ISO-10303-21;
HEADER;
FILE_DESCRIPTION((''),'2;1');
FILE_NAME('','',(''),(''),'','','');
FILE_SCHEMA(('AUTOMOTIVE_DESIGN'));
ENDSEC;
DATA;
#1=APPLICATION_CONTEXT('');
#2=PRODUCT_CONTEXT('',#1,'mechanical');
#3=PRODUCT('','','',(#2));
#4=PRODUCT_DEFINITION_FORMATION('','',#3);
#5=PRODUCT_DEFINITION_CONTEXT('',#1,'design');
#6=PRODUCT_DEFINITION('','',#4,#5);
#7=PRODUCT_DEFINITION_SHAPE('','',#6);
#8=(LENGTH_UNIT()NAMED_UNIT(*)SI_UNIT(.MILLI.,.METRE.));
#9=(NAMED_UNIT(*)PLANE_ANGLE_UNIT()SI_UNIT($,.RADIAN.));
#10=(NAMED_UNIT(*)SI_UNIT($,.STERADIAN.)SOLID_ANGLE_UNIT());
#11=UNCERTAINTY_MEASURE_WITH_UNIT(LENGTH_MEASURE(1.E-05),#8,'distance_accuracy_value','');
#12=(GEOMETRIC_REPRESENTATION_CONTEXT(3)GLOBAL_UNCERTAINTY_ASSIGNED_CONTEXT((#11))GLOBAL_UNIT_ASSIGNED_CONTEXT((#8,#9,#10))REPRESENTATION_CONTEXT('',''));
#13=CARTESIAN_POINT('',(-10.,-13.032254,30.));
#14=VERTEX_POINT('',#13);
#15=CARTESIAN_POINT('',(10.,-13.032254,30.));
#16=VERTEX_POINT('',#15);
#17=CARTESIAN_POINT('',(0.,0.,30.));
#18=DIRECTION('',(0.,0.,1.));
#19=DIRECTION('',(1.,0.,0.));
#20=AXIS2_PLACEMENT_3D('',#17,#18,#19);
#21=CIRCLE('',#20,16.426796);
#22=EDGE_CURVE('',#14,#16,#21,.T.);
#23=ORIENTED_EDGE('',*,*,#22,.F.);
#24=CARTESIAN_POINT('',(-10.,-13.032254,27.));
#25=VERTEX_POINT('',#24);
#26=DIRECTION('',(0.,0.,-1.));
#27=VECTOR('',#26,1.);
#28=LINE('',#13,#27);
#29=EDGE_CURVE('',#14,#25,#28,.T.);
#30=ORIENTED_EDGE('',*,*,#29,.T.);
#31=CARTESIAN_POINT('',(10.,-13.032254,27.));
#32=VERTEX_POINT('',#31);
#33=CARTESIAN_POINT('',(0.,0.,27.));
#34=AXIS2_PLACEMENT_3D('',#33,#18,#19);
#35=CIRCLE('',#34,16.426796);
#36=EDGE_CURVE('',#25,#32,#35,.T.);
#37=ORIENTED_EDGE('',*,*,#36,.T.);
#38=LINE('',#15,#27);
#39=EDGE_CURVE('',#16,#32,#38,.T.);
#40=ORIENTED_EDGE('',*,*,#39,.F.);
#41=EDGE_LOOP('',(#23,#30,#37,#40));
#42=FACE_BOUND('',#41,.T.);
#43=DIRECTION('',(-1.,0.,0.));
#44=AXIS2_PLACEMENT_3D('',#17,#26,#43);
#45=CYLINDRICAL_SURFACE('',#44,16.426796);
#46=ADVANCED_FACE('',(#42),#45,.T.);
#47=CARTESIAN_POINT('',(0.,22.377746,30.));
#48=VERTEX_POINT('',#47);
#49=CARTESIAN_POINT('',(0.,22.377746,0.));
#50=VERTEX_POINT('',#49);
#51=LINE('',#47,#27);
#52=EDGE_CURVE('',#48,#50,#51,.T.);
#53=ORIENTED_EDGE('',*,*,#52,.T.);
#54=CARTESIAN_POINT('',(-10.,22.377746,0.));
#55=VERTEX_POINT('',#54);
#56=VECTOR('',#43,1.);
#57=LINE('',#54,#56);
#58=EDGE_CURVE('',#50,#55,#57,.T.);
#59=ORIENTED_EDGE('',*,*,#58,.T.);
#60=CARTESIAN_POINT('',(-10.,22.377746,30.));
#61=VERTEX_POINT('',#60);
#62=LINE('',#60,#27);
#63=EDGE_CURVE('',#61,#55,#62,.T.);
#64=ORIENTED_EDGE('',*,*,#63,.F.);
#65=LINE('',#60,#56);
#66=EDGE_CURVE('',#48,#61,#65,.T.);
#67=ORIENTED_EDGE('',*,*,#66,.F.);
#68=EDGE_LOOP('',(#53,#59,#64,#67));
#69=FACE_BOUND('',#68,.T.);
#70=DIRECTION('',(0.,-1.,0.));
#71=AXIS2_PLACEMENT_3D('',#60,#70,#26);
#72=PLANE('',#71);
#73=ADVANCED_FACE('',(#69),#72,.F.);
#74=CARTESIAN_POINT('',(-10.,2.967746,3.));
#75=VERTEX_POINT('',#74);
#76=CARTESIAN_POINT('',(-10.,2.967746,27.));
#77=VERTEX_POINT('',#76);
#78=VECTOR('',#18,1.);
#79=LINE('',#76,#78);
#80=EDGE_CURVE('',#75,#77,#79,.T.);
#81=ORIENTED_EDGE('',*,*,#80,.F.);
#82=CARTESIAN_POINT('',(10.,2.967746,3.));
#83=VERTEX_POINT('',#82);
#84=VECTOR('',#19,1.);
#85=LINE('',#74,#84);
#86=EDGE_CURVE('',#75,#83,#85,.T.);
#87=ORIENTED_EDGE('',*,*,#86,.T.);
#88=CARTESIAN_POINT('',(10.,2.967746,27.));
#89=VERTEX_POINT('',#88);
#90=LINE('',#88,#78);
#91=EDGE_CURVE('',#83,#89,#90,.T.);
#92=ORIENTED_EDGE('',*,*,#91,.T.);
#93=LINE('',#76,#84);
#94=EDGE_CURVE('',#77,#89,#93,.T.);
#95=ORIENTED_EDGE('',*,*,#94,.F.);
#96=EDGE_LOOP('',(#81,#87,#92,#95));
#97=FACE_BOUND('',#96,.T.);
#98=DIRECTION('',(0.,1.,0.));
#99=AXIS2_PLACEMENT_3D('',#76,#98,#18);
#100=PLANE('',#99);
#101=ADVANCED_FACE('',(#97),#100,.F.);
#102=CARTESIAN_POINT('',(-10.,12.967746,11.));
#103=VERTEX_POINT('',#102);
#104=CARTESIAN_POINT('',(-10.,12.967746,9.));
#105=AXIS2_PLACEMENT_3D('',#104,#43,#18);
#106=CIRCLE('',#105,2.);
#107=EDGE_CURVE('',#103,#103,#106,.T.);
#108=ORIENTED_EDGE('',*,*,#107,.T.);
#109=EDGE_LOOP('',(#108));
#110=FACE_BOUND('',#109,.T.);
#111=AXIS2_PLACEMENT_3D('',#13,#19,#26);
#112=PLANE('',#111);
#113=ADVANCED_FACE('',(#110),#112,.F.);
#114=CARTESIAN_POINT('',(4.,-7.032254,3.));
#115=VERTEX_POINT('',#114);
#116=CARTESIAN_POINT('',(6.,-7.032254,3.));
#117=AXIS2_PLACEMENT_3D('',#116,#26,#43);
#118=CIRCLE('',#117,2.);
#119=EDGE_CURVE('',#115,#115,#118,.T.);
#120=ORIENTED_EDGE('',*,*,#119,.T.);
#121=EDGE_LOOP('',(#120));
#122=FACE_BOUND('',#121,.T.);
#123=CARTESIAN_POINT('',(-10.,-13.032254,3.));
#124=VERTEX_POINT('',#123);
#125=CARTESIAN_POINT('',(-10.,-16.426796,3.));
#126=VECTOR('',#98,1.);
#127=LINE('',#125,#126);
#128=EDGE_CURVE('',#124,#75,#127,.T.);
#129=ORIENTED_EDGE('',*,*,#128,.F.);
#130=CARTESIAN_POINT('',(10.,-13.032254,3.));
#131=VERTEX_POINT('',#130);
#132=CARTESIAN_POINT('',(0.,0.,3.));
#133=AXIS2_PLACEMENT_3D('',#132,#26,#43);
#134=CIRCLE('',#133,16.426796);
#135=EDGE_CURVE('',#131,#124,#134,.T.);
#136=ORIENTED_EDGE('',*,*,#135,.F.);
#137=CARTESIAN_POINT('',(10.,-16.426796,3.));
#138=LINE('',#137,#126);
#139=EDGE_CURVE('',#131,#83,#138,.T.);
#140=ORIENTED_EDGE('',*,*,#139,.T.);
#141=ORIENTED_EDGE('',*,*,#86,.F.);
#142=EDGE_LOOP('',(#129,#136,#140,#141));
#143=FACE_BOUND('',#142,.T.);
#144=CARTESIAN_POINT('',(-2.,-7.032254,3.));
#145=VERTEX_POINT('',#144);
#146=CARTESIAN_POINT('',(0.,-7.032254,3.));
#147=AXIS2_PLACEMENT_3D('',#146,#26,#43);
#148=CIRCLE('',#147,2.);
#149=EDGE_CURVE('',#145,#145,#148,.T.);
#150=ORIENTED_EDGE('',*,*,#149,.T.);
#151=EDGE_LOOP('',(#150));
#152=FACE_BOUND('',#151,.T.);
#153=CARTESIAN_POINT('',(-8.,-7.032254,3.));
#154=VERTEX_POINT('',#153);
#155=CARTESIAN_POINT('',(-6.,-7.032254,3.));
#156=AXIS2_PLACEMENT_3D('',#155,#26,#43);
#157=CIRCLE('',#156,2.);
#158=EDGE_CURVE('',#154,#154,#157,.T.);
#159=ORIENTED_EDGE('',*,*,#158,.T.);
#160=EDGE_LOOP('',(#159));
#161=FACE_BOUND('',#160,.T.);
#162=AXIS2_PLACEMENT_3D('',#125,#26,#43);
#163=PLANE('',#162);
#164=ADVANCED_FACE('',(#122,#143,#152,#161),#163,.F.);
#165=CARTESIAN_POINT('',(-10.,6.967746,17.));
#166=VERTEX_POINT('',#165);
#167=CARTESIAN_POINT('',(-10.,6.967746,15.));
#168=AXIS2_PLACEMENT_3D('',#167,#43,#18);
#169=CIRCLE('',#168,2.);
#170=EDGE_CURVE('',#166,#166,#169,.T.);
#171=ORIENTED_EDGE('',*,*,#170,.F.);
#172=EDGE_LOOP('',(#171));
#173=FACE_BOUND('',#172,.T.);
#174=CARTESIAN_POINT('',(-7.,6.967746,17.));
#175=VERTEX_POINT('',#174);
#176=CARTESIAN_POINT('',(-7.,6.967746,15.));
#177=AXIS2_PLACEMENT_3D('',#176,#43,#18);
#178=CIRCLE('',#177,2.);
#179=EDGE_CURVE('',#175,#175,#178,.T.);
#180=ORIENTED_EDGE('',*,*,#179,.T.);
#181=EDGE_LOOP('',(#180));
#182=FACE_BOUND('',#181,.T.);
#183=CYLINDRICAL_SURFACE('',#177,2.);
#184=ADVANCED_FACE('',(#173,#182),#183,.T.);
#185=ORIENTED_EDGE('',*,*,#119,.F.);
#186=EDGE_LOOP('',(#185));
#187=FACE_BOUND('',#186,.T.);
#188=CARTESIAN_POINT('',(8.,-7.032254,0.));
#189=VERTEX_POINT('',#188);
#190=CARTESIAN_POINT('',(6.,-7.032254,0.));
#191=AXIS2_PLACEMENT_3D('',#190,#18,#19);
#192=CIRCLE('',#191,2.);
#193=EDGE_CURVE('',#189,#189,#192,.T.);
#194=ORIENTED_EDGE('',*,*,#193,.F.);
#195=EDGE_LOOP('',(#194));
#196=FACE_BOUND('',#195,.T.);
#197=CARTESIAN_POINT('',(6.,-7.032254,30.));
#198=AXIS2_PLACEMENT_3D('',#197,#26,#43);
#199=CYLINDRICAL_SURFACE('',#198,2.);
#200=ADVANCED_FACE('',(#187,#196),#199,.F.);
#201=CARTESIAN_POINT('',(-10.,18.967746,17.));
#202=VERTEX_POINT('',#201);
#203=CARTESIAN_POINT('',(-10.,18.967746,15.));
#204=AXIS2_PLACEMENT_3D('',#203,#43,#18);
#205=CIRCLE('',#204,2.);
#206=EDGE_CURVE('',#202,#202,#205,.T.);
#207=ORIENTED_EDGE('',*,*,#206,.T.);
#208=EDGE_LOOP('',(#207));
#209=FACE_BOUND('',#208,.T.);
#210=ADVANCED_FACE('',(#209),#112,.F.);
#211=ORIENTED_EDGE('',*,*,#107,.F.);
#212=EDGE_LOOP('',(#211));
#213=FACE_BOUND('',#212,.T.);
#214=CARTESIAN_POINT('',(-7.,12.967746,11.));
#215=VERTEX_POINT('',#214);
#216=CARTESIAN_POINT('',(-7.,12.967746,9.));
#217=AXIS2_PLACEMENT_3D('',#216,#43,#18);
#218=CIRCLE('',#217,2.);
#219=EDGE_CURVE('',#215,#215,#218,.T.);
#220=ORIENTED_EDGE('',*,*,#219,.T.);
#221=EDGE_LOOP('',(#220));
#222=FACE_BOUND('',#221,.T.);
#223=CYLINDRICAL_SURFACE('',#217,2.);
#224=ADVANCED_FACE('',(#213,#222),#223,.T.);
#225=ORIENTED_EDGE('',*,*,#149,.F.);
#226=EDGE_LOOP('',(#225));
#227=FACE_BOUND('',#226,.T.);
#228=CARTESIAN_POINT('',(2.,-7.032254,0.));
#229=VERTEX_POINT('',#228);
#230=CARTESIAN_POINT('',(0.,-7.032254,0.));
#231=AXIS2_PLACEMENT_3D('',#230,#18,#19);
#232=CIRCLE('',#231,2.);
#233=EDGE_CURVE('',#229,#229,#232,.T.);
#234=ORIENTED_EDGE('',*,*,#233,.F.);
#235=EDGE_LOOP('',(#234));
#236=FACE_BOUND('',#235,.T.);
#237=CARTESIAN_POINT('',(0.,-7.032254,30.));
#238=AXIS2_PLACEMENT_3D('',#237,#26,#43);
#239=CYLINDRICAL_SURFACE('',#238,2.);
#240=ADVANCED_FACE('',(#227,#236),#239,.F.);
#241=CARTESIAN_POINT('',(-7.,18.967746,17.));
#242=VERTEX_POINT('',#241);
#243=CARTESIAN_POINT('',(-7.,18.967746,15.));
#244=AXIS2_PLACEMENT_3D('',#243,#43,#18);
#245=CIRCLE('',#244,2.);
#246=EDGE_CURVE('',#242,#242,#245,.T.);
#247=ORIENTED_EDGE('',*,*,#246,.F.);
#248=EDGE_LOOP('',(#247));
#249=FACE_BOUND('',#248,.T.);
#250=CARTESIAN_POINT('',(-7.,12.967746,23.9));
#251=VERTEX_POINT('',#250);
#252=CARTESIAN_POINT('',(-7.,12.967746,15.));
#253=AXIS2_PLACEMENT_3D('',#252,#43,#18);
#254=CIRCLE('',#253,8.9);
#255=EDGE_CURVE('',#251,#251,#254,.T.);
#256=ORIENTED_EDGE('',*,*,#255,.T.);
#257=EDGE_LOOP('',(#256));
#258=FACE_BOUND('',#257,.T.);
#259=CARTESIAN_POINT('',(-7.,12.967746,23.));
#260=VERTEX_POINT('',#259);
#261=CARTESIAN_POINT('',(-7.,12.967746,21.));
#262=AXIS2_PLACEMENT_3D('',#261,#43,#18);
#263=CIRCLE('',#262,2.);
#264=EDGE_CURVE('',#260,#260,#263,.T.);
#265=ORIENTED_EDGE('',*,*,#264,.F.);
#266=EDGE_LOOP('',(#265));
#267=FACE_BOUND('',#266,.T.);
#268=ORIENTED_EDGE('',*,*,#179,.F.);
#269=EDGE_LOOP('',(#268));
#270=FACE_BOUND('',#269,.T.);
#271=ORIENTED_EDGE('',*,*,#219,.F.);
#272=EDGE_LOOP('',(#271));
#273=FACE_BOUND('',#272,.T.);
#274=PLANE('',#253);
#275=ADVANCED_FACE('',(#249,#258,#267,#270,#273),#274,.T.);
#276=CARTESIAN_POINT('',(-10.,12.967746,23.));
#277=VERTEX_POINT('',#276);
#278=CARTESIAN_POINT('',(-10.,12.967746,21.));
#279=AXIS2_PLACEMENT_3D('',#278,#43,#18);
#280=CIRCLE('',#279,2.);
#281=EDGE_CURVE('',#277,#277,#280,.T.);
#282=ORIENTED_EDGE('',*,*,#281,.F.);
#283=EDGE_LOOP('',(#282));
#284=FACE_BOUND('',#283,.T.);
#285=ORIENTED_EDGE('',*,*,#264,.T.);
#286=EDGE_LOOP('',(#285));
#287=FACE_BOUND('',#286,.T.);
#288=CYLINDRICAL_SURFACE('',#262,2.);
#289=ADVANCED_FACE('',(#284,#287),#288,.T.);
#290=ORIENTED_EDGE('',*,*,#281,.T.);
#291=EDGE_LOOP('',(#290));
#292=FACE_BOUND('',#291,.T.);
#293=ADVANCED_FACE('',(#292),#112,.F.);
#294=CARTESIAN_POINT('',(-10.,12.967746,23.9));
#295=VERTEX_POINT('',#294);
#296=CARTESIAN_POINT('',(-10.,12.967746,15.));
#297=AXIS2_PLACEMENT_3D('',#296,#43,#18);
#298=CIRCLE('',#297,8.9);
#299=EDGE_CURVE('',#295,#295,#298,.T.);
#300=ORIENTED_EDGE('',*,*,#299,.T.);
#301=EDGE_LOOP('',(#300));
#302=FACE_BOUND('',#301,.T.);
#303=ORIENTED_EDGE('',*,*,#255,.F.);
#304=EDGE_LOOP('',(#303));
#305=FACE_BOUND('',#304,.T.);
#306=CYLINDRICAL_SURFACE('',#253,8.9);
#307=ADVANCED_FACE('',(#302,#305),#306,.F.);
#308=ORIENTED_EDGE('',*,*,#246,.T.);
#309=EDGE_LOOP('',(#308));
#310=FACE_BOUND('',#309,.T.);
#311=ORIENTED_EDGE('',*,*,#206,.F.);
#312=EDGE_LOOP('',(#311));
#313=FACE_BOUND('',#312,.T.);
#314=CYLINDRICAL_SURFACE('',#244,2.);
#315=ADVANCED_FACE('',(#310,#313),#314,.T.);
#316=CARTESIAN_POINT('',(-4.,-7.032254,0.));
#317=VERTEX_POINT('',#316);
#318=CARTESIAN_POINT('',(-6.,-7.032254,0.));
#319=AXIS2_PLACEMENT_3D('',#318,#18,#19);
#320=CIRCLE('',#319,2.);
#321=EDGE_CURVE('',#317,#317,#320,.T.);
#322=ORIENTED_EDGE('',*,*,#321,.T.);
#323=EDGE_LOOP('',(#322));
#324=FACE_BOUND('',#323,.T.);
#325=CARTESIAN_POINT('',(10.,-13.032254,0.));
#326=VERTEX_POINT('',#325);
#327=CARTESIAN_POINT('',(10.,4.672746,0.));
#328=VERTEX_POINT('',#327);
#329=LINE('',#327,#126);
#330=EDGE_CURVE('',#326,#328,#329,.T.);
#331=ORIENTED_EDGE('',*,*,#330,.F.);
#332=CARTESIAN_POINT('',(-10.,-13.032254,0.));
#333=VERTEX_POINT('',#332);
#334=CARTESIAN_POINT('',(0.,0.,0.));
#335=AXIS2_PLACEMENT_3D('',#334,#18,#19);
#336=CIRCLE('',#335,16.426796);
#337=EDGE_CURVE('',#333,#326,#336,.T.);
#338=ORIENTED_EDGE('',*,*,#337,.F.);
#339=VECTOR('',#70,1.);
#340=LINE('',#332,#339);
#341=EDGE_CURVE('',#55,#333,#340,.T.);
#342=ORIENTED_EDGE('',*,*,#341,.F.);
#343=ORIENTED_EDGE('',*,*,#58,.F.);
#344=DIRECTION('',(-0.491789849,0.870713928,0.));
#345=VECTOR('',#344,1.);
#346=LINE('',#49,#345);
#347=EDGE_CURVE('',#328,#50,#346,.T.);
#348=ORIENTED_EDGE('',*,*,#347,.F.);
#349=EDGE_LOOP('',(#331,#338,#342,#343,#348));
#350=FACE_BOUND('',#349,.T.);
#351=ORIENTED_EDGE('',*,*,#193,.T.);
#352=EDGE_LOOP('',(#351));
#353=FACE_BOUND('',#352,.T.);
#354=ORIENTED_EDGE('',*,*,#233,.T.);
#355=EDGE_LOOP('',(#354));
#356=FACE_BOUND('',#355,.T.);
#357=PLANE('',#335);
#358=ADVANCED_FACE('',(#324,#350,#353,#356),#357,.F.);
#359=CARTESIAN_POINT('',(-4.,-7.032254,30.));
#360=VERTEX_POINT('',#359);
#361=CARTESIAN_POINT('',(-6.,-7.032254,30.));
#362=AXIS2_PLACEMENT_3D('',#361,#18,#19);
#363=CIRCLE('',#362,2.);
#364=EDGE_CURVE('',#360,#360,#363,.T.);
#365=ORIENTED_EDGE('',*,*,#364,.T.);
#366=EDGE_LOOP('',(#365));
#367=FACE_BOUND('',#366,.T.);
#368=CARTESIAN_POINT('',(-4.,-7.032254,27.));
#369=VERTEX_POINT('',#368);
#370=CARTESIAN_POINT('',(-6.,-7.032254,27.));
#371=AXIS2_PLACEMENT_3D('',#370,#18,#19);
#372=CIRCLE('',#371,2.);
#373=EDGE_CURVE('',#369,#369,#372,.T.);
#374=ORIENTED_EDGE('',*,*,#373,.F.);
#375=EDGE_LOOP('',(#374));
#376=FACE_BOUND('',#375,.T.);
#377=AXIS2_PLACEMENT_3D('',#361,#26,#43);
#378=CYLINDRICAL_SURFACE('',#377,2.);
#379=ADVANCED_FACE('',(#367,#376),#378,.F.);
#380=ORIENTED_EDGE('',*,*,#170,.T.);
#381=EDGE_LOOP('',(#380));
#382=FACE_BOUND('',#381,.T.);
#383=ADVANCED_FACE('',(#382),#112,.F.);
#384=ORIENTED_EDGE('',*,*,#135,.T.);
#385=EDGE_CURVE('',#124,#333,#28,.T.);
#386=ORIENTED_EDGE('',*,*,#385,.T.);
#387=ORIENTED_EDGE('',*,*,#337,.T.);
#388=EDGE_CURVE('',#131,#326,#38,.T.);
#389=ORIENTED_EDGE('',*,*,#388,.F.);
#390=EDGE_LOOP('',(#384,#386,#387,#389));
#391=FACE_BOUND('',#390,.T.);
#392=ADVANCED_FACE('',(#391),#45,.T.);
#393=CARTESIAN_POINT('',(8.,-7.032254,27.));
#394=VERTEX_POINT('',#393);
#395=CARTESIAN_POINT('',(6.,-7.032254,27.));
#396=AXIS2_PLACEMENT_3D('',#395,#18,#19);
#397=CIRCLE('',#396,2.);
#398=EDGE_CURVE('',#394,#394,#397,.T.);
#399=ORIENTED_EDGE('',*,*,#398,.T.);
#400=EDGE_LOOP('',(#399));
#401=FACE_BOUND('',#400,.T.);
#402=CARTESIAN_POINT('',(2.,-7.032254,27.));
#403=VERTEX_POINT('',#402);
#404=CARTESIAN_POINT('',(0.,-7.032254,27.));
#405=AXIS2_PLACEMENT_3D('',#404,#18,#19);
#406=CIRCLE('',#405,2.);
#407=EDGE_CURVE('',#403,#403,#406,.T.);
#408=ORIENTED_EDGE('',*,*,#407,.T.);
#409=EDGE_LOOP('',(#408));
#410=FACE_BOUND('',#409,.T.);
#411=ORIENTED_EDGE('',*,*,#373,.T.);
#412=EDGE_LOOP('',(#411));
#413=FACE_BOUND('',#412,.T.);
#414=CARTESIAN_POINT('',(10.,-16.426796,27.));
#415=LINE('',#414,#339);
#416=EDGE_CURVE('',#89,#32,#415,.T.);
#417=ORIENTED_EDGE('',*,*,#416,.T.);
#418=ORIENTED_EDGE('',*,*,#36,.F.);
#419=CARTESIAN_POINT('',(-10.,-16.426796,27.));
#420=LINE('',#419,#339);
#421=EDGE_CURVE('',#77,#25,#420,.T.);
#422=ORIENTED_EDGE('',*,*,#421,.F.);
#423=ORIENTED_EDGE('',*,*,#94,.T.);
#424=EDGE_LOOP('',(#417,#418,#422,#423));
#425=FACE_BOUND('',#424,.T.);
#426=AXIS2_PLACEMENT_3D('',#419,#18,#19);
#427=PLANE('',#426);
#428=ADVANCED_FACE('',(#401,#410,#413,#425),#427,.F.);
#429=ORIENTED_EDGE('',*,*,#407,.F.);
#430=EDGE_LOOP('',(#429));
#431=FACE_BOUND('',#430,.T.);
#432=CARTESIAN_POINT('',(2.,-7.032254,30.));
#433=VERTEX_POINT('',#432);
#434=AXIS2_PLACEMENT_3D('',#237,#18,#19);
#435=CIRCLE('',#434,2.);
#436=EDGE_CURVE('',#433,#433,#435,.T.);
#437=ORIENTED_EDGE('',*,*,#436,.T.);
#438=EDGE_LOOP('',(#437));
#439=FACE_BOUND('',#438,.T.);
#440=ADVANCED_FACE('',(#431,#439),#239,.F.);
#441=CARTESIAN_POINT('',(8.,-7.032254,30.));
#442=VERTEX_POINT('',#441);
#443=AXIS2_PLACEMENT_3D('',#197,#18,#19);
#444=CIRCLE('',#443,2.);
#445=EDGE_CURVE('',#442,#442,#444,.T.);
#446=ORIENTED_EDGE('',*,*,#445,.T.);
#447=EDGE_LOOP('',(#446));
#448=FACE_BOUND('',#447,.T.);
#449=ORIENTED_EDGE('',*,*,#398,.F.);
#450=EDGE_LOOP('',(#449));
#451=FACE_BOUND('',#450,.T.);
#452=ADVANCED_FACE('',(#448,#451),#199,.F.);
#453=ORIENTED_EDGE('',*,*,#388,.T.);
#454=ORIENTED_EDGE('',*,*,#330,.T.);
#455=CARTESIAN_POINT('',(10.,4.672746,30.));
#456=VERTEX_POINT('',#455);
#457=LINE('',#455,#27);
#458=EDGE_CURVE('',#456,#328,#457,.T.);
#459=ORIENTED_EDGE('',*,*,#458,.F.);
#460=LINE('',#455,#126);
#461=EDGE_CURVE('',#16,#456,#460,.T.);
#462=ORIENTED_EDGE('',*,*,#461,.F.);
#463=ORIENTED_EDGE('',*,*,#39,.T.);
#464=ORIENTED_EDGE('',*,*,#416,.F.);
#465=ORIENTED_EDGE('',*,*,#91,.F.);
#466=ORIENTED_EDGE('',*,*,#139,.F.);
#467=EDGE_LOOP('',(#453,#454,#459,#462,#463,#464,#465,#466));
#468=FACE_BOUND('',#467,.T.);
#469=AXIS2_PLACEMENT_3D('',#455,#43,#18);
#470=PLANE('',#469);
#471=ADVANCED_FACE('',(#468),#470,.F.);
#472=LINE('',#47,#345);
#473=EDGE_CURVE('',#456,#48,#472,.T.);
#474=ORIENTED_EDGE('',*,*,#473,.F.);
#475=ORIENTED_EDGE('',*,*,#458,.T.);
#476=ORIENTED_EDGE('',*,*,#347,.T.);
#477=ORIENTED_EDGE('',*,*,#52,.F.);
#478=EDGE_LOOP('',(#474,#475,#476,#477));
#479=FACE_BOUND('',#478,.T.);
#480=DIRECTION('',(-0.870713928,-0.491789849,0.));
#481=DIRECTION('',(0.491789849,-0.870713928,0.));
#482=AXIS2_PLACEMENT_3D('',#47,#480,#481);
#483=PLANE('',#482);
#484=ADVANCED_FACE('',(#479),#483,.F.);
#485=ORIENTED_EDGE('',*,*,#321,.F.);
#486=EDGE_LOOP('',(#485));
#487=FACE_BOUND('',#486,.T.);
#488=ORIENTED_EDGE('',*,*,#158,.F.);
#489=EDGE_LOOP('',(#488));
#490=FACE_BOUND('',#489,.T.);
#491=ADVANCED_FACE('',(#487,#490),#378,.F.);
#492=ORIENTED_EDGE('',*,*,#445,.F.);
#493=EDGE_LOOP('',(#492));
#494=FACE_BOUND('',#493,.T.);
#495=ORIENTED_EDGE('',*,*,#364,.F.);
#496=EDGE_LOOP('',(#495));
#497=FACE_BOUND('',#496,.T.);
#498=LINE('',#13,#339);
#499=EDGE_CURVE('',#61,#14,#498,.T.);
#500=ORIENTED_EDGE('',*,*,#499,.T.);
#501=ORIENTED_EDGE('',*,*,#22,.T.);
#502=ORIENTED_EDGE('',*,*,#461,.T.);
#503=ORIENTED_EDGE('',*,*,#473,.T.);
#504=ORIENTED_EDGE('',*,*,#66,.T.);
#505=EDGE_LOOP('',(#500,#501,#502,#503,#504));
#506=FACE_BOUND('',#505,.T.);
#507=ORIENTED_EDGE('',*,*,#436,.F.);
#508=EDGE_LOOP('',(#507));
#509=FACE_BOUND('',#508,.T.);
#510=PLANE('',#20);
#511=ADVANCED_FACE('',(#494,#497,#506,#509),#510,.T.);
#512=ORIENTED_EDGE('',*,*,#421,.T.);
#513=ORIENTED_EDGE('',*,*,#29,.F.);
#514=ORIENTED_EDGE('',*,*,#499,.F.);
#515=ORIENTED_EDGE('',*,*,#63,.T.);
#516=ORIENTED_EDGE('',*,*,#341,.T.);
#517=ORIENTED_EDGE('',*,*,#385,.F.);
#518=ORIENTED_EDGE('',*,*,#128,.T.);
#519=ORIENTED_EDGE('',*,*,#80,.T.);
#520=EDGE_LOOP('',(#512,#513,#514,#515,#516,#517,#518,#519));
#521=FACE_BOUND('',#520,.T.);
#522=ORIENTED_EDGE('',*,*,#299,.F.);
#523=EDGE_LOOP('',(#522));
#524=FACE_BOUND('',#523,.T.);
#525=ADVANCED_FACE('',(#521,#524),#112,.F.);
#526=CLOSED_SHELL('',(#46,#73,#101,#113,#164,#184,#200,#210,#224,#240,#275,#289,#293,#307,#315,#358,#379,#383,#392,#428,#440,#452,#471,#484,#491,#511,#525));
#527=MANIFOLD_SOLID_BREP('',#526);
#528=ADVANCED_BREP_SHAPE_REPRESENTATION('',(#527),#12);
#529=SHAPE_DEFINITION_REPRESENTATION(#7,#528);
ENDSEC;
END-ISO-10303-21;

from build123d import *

# Parameters (mm, degrees)
SKETCH1_R           = 2
BOSS_EXTRUDE1_DEPTH = 30
SKETCH2_W           = 24
SKETCH2_H           = 19.394542589
CUT_EXTRUDE1_DEPTH  = 43.435404183
SKETCH3_R           = 8.9
SKETCH3_R_2         = 2
CUT_EXTRUDE2_DEPTH  = 3


with BuildPart() as part:
    # Sketch1 → Boss-Extrude1 (new body)
    with BuildSketch(Plane.XY):
        with BuildLine():
            Line((-10, 22.377746272), (0, 22.377746272))
            Line((0, 22.377746272), (10, 4.672746272))
            Line((10, 4.672746272), (10, -13.032253728))
            ThreePointArc((10, -13.032253728), (0, -16.426796317), (-10, -13.032253728))
            Line((-10, -13.032253728), (-10, 22.377746272))
        make_face()
        with Locations((0, -7.032253728)):
            Circle(SKETCH1_R, mode=Mode.SUBTRACT)
        with Locations((6, -7.032253728)):
            Circle(SKETCH1_R, mode=Mode.SUBTRACT)
        with Locations((-6, -7.032253728)):
            Circle(SKETCH1_R, mode=Mode.SUBTRACT)
    extrude(amount=BOSS_EXTRUDE1_DEPTH)

    # Sketch2 → Cut-Extrude1 (cut, through all)
    with BuildSketch(Plane(origin=(10, 0, 0), x_dir=(0, 0, -1), z_dir=(1, 0, 0))):
        with Locations((-15, -6.729525023)):
            Rectangle(SKETCH2_W, SKETCH2_H)
    extrude(amount=-CUT_EXTRUDE1_DEPTH, mode=Mode.SUBTRACT)

    # Sketch3 → Cut-Extrude2 (cut)
    with BuildSketch(Plane.ZY.offset(10)):
        with Locations((15, 12.967746272)):
            Circle(SKETCH3_R)
        with Locations((15, 18.967746272)):
            Circle(SKETCH3_R_2, mode=Mode.SUBTRACT)
        with Locations((15, 6.967746272)):
            Circle(SKETCH3_R_2, mode=Mode.SUBTRACT)
        with Locations((9, 12.967746272)):
            Circle(SKETCH3_R_2, mode=Mode.SUBTRACT)
        with Locations((21, 12.967746272)):
            Circle(SKETCH3_R_2, mode=Mode.SUBTRACT)
    extrude(amount=-CUT_EXTRUDE2_DEPTH, mode=Mode.SUBTRACT)


solid = part.part
